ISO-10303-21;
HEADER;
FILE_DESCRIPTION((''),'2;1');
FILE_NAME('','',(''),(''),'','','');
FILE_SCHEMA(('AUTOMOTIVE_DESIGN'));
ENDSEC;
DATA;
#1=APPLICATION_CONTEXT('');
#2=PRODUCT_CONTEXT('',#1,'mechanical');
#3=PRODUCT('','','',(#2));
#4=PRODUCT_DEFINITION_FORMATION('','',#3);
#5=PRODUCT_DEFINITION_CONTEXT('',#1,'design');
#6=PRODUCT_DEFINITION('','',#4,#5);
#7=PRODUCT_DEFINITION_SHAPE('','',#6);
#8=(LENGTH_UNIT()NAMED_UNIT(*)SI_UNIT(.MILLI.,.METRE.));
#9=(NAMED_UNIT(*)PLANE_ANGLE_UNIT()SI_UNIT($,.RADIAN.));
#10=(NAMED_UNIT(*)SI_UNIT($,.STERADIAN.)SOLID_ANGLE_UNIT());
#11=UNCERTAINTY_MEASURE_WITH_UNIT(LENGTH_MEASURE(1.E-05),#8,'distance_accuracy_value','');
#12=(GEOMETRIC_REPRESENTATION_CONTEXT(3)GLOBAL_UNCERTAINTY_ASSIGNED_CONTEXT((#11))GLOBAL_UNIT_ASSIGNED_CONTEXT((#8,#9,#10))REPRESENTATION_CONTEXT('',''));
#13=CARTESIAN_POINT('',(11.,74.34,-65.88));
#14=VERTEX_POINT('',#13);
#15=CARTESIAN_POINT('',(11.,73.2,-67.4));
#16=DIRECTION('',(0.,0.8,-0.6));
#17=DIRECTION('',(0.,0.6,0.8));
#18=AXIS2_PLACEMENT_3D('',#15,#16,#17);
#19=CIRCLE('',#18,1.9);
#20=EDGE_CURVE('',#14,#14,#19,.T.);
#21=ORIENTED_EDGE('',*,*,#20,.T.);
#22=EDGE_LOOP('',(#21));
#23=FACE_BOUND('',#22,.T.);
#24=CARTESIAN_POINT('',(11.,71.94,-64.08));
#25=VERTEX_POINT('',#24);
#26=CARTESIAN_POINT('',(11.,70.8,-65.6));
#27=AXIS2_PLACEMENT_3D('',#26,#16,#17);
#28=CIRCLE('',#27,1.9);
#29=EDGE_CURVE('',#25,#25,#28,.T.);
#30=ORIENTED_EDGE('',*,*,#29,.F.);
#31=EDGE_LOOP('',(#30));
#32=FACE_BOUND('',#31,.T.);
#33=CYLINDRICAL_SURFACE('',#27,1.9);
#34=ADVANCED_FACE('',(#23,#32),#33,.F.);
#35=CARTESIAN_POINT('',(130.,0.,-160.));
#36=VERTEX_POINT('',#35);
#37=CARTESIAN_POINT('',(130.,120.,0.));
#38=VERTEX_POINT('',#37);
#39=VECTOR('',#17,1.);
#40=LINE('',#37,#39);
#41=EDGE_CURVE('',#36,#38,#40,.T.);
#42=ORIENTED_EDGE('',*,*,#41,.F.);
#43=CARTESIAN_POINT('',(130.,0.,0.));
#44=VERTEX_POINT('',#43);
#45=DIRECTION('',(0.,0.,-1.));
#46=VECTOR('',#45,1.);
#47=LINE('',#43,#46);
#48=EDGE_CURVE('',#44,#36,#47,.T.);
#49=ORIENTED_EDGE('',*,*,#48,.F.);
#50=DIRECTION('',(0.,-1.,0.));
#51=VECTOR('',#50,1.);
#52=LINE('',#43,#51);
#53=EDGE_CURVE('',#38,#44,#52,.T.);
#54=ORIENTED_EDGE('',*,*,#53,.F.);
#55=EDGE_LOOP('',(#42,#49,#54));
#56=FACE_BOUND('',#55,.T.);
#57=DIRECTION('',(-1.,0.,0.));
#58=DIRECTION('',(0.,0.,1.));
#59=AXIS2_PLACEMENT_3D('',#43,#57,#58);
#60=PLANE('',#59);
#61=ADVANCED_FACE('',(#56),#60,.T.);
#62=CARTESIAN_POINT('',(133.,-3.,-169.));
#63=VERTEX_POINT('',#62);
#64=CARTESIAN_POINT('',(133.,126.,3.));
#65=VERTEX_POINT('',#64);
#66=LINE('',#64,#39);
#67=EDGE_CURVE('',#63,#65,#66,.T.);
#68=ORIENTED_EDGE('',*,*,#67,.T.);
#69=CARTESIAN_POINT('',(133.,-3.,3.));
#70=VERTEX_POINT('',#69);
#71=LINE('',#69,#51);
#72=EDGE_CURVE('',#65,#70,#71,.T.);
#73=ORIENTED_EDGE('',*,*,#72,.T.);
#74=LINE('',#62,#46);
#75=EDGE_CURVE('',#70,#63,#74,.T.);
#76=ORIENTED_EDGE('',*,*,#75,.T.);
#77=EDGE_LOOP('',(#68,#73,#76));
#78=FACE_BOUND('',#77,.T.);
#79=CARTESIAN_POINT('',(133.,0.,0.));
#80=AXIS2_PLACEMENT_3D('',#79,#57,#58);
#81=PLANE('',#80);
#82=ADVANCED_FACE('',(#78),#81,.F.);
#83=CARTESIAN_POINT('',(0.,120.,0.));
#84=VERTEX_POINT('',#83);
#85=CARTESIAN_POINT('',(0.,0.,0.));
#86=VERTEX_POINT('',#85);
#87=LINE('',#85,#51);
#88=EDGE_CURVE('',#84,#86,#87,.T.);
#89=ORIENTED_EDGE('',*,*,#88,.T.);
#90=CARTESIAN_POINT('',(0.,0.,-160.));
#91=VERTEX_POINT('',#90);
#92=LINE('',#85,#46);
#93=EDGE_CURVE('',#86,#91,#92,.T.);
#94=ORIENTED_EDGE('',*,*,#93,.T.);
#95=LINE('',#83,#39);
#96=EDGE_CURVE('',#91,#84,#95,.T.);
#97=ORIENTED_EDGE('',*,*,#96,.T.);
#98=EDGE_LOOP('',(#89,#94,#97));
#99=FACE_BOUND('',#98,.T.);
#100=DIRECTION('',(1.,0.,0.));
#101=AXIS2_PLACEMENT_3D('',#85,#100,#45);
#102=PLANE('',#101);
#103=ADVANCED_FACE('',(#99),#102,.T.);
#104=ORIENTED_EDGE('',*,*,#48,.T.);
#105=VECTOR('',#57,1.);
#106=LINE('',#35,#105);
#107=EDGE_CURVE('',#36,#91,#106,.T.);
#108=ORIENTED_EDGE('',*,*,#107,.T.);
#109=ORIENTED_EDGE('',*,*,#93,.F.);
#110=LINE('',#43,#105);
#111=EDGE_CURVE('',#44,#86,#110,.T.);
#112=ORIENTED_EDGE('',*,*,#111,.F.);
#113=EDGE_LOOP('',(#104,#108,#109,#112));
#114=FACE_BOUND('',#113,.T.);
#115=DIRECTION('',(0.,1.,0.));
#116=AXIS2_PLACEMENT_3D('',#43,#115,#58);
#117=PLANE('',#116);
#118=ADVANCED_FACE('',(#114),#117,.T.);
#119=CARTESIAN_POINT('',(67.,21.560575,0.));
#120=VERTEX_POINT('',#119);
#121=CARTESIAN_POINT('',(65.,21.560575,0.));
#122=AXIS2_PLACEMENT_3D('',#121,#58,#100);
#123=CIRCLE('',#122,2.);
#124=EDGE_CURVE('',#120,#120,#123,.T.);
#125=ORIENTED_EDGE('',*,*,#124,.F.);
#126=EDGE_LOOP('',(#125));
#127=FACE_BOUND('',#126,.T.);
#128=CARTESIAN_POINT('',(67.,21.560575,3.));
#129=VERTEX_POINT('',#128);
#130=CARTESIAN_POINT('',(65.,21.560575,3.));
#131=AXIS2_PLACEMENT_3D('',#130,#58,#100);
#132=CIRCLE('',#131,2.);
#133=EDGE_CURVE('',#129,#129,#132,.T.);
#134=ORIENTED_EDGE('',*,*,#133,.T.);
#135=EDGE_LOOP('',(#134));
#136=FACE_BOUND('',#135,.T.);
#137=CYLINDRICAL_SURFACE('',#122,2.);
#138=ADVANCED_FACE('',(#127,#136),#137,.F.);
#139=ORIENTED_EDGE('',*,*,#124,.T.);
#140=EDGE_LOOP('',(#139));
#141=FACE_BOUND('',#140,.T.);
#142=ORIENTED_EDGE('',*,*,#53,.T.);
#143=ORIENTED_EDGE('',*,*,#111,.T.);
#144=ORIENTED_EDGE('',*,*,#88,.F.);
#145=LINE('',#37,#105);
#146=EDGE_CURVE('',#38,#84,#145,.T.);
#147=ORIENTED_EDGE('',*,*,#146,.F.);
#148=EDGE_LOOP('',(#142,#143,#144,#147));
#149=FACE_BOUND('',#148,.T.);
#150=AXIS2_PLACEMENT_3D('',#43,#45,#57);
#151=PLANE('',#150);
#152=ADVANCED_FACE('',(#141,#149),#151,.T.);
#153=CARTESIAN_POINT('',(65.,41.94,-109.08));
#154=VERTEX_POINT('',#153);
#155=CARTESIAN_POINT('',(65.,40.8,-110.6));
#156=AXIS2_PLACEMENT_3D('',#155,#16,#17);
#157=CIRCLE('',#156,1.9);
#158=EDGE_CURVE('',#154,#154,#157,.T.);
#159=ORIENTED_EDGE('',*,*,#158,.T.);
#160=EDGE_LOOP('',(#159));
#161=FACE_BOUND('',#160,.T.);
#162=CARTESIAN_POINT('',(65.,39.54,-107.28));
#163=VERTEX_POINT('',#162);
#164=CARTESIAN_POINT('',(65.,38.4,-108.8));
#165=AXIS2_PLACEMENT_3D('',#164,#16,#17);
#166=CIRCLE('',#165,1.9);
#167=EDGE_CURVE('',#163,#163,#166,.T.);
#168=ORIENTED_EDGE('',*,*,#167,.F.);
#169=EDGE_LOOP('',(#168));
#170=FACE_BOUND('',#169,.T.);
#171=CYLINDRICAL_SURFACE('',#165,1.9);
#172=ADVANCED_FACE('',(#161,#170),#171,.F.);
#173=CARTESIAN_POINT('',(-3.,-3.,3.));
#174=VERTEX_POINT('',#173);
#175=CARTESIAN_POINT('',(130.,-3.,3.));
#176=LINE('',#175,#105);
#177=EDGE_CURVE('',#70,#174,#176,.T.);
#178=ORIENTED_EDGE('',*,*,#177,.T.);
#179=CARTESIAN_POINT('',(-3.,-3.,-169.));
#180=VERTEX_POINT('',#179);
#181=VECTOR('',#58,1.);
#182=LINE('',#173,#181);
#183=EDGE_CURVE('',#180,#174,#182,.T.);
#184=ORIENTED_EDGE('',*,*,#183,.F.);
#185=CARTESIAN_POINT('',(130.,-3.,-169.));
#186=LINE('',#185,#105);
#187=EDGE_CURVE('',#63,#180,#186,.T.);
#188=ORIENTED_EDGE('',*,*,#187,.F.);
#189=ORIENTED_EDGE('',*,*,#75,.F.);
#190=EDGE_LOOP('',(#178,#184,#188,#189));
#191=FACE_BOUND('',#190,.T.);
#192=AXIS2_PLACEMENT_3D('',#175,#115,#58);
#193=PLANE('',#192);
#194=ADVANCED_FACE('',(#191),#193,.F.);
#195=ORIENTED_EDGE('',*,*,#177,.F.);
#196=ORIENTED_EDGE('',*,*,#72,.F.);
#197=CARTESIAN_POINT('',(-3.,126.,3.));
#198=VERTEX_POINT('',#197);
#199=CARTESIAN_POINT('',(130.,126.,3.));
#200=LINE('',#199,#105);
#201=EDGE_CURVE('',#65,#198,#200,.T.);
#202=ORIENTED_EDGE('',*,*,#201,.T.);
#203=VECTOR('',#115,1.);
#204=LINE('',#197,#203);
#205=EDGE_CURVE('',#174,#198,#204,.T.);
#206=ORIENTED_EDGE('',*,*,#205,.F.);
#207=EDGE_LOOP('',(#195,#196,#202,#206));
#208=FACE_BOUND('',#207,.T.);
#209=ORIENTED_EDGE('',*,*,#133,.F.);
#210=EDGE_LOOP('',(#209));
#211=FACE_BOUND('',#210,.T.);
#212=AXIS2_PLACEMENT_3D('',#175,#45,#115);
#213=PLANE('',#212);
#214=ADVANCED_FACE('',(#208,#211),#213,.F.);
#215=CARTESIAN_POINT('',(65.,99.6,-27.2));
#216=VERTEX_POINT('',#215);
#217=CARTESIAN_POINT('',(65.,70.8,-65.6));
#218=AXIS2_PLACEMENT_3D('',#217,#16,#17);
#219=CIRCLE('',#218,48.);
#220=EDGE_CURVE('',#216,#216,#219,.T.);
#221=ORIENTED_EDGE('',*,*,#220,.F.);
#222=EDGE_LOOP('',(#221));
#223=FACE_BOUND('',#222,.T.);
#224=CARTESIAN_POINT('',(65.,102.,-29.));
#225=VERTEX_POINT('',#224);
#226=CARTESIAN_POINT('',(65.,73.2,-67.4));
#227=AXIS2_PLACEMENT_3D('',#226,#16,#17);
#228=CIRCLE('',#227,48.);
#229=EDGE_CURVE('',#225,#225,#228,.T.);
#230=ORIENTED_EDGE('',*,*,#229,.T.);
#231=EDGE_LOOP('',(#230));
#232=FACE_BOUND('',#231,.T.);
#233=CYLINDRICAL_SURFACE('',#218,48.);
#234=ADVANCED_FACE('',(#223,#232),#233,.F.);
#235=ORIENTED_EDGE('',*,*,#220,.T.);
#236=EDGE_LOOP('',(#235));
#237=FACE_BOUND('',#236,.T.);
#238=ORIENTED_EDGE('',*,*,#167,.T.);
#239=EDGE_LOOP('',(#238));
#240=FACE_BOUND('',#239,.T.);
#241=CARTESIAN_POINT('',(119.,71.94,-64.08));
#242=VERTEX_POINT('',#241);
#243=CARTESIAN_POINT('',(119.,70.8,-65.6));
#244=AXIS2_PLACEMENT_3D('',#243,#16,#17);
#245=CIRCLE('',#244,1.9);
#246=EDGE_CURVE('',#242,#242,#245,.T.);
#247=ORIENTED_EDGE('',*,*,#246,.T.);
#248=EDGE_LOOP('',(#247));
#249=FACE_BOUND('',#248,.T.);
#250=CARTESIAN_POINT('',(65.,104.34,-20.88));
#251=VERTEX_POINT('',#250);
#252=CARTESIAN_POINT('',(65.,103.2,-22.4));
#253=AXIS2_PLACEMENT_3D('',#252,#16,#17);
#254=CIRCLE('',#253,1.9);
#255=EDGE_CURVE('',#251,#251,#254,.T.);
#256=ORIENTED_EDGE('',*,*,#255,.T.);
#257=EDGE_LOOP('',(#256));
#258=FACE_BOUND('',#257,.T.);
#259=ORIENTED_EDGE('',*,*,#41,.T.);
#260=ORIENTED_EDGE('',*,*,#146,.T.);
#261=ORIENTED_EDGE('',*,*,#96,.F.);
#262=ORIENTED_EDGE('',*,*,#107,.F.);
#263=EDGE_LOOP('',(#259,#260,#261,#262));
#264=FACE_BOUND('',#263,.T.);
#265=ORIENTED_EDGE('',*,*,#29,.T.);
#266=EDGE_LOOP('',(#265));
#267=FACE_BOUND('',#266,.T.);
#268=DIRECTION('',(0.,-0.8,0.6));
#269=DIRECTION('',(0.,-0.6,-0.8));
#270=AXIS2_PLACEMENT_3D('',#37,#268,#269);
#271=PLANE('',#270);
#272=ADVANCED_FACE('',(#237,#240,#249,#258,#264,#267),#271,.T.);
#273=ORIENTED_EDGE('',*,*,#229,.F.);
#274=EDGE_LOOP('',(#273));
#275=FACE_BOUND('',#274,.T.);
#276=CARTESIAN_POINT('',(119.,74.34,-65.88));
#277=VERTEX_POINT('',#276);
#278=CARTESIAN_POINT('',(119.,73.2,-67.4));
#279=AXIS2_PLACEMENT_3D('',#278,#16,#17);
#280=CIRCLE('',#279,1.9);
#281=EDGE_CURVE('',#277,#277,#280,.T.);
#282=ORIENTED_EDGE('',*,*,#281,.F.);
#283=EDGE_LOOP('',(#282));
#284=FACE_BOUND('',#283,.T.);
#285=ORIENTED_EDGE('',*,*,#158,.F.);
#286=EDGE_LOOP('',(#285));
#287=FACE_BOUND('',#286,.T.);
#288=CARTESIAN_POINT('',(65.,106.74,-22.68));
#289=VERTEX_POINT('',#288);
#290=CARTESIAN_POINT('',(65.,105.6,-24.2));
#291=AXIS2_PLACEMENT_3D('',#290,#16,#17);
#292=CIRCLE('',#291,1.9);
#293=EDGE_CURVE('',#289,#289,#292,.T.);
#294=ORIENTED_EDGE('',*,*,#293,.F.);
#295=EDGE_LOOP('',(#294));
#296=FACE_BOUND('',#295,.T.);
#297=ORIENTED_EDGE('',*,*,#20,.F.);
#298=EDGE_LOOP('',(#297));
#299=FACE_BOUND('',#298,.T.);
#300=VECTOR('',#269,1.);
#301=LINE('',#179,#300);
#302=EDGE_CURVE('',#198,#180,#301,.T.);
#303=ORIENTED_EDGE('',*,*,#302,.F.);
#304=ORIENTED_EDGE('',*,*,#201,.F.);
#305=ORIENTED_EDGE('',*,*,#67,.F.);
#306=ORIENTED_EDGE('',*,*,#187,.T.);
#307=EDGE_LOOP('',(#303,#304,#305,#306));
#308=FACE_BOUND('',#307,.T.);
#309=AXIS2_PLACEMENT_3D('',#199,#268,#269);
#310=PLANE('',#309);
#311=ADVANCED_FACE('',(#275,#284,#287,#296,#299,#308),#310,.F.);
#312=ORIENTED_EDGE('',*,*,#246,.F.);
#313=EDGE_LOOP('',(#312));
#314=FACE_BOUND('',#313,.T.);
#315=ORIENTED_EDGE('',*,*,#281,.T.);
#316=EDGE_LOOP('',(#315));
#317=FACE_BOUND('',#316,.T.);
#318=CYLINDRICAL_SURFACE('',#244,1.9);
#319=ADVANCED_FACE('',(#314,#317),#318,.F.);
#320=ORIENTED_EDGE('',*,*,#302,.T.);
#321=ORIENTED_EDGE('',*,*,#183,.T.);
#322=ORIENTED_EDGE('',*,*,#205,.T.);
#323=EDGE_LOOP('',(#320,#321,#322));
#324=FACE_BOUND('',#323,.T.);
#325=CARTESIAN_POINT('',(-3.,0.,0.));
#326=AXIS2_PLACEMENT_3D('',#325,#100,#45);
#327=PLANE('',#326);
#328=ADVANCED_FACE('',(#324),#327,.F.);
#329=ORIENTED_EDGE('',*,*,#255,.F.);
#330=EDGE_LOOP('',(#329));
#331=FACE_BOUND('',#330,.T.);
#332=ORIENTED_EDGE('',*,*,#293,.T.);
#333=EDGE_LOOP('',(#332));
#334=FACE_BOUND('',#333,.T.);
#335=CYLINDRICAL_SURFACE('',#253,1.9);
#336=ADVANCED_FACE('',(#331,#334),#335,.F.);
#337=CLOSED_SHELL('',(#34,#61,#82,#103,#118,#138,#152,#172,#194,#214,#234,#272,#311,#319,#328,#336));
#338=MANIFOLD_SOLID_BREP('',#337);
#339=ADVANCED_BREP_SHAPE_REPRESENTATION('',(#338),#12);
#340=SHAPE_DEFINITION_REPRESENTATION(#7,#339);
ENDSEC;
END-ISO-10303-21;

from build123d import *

# Parameters (mm, degrees)
BOSS_EXTRUDE1_DEPTH = 130
SKETCH2_R           = 48
CUT_EXTRUDE1_DEPTH  = 3
SKETCH3_R           = 1.9
CUT_EXTRUDE2_DEPTH  = 3
BOSS_EXTRUDE2_DEPTH = 3
BOSS_EXTRUDE3_DEPTH = 3
SKETCH6_R           = 2
CUT_EXTRUDE3_DEPTH  = 3


with BuildPart() as part:
    # Sketch1 → Boss-Extrude1 (new body)
    with BuildSketch(Plane(origin=(0, 0, 0), x_dir=(0, 0, -1), z_dir=(1, 0, 0))):
        Polygon((-3, 126), (169, -3), (-3, -3), align=None)
        Polygon((0, 0), (160, 0), (0, 120), align=None, mode=Mode.SUBTRACT)
    extrude(amount=BOSS_EXTRUDE1_DEPTH)

    # Sketch2 → Cut-Extrude1 (cut)
    with BuildSketch(Plane(origin=(0, 79.2, -59.4), x_dir=(1, 0, 0), z_dir=(0, 0.7999999999999998, -0.6000000000000002))):
        with Locations(Location((65, 10, 0), (0, 0, 270))):
            Circle(SKETCH2_R)
    extrude(amount=-CUT_EXTRUDE1_DEPTH, mode=Mode.SUBTRACT)

    # Sketch3 → Cut-Extrude2 (cut)
    with BuildSketch(Plane(origin=(0, 79.2, -59.4), x_dir=(1, 0, 0), z_dir=(0, 0.7999999999999998, -0.6000000000000002))):
        with Locations(Location((11, 10, 0), (0, 0, 270))):
            Circle(SKETCH3_R)
        with Locations(Location((65, -44, 0), (0, 0, 270))):
            Circle(SKETCH3_R)
        with Locations(Location((119, 10, 0), (0, 0, 270))):
            Circle(SKETCH3_R)
        with Locations(Location((65, 64, 0), (0, 0, 270))):
            Circle(SKETCH3_R)
    extrude(amount=-CUT_EXTRUDE2_DEPTH, mode=Mode.SUBTRACT)

    # Sketch4 → Boss-Extrude2 (add)
    with BuildSketch(Plane(origin=(130, 0, 0), x_dir=(0, 0, -1), z_dir=(1, 0, 0))):
        Polygon((-3, -3), (-3, 126), (169, -3), align=None)
    extrude(amount=BOSS_EXTRUDE2_DEPTH)

    # Sketch5 → Boss-Extrude3 (add)
    with BuildSketch(Plane.ZY):
        Polygon((3, 126), (3, -3), (-169, -3), align=None)
    extrude(amount=BOSS_EXTRUDE3_DEPTH)

    # Sketch6 → Cut-Extrude3 (cut)
    with BuildSketch(Plane.XY.offset(3)):
        with Locations((65, 21.56057542)):
            Circle(SKETCH6_R)
    extrude(amount=-CUT_EXTRUDE3_DEPTH, mode=Mode.SUBTRACT)


solid = part.part
